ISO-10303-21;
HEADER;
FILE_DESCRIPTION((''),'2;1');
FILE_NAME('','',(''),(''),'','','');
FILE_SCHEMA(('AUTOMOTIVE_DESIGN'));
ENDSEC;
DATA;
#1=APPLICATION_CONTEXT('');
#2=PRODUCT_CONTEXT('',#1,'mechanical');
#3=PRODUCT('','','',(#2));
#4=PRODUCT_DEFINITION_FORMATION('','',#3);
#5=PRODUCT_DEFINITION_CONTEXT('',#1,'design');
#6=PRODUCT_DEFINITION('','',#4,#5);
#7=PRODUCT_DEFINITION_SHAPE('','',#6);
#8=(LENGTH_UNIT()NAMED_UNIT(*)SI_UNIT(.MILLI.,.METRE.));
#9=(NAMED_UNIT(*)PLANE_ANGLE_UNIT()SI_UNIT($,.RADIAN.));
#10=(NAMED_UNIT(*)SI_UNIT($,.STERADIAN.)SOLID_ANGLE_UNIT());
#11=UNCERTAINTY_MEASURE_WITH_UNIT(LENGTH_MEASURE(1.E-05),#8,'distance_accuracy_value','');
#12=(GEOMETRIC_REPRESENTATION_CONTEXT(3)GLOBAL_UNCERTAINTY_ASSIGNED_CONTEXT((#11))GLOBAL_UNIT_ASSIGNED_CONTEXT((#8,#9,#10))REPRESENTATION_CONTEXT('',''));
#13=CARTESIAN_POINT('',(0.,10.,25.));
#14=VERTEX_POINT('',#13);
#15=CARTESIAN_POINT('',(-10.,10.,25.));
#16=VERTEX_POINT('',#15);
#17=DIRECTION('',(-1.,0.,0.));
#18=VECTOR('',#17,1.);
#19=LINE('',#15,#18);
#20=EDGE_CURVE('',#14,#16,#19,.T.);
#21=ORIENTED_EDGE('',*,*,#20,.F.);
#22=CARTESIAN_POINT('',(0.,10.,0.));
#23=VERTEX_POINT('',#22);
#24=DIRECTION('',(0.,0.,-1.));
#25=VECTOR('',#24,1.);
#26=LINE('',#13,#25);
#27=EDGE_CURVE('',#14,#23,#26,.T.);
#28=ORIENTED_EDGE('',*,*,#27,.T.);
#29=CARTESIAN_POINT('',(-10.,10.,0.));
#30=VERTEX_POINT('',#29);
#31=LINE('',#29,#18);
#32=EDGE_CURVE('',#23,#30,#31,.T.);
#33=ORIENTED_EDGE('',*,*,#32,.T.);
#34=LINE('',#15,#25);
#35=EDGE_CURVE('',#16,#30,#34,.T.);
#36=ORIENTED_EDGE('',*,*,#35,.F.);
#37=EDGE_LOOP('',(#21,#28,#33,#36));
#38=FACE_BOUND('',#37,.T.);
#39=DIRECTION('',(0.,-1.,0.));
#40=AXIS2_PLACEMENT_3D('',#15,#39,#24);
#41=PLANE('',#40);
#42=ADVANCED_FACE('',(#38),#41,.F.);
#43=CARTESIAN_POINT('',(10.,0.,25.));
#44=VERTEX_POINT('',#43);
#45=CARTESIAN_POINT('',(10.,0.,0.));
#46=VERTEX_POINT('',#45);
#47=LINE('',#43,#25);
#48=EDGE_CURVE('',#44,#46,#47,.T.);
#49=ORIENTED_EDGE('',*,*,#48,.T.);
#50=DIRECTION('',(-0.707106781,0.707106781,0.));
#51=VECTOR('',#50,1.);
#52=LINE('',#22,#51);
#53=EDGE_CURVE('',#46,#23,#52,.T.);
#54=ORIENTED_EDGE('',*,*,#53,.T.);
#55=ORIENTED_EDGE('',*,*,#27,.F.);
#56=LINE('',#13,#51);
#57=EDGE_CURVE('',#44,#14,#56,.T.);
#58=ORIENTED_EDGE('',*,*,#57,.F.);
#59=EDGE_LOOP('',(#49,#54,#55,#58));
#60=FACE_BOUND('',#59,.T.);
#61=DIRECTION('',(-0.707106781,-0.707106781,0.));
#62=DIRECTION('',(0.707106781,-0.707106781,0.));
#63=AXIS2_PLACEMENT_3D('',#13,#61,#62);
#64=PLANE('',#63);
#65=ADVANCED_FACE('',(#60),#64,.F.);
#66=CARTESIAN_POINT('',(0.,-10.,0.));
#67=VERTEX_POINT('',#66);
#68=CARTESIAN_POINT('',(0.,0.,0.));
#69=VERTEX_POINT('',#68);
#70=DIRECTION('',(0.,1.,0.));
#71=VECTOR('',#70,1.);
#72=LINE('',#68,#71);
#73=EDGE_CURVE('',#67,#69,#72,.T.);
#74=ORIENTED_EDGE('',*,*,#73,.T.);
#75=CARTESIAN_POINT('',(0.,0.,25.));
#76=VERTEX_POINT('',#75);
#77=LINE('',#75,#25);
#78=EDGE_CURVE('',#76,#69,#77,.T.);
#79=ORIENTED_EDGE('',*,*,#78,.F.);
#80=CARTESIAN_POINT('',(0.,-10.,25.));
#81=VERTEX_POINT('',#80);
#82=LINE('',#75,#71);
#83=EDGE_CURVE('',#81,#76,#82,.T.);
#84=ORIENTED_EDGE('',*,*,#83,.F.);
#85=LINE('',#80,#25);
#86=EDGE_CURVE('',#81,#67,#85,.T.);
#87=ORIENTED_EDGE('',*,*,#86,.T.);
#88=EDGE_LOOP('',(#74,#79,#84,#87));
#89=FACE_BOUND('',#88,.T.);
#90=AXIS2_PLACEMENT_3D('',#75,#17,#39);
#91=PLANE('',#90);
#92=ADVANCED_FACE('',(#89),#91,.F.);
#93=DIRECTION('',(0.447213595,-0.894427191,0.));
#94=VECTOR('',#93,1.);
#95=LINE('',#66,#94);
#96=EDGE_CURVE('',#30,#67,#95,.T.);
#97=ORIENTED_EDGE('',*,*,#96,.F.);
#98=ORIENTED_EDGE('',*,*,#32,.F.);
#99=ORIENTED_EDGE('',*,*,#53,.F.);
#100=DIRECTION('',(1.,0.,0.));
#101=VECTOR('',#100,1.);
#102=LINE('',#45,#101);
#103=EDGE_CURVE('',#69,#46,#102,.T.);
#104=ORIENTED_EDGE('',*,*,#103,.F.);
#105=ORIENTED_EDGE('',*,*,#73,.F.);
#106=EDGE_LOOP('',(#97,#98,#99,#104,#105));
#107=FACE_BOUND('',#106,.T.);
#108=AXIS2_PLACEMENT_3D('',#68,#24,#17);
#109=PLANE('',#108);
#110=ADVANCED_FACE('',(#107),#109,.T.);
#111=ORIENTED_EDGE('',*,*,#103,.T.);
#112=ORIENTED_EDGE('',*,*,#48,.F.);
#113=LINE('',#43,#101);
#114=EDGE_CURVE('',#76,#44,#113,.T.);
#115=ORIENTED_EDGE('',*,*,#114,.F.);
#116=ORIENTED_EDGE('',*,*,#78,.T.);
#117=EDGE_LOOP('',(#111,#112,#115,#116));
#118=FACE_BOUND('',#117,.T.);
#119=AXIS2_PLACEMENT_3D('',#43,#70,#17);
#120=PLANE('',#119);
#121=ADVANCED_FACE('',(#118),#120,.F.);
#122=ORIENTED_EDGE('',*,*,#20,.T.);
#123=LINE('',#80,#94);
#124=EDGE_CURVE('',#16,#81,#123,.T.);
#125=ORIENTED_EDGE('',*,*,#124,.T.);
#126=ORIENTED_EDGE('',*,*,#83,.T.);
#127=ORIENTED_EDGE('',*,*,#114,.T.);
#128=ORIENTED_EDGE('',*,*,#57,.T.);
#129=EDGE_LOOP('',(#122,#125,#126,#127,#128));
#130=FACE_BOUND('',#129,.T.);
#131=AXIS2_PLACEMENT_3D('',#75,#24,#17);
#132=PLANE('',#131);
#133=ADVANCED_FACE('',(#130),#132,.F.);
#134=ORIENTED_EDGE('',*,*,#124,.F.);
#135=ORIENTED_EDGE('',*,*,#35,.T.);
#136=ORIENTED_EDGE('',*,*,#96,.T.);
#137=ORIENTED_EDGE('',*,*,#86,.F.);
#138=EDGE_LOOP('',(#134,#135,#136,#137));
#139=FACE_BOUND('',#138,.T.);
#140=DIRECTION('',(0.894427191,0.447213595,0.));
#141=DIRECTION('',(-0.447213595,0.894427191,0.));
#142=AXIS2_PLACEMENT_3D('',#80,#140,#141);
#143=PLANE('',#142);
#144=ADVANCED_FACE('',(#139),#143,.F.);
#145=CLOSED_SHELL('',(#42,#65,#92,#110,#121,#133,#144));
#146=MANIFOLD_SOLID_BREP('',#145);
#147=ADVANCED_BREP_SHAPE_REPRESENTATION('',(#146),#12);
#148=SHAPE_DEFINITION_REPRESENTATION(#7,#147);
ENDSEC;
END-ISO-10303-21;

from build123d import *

# Parameters (mm, degrees)
BOSS_EXTRUDE1_DEPTH = 25


with BuildPart() as part:
    # Sketch1 → Boss-Extrude1 (new body)
    with BuildSketch(Plane.XY):
        Polygon((-10, 10), (0, 10), (10, 0), (0, 0), (0, -10), align=None)
    extrude(amount=BOSS_EXTRUDE1_DEPTH)


solid = part.part
